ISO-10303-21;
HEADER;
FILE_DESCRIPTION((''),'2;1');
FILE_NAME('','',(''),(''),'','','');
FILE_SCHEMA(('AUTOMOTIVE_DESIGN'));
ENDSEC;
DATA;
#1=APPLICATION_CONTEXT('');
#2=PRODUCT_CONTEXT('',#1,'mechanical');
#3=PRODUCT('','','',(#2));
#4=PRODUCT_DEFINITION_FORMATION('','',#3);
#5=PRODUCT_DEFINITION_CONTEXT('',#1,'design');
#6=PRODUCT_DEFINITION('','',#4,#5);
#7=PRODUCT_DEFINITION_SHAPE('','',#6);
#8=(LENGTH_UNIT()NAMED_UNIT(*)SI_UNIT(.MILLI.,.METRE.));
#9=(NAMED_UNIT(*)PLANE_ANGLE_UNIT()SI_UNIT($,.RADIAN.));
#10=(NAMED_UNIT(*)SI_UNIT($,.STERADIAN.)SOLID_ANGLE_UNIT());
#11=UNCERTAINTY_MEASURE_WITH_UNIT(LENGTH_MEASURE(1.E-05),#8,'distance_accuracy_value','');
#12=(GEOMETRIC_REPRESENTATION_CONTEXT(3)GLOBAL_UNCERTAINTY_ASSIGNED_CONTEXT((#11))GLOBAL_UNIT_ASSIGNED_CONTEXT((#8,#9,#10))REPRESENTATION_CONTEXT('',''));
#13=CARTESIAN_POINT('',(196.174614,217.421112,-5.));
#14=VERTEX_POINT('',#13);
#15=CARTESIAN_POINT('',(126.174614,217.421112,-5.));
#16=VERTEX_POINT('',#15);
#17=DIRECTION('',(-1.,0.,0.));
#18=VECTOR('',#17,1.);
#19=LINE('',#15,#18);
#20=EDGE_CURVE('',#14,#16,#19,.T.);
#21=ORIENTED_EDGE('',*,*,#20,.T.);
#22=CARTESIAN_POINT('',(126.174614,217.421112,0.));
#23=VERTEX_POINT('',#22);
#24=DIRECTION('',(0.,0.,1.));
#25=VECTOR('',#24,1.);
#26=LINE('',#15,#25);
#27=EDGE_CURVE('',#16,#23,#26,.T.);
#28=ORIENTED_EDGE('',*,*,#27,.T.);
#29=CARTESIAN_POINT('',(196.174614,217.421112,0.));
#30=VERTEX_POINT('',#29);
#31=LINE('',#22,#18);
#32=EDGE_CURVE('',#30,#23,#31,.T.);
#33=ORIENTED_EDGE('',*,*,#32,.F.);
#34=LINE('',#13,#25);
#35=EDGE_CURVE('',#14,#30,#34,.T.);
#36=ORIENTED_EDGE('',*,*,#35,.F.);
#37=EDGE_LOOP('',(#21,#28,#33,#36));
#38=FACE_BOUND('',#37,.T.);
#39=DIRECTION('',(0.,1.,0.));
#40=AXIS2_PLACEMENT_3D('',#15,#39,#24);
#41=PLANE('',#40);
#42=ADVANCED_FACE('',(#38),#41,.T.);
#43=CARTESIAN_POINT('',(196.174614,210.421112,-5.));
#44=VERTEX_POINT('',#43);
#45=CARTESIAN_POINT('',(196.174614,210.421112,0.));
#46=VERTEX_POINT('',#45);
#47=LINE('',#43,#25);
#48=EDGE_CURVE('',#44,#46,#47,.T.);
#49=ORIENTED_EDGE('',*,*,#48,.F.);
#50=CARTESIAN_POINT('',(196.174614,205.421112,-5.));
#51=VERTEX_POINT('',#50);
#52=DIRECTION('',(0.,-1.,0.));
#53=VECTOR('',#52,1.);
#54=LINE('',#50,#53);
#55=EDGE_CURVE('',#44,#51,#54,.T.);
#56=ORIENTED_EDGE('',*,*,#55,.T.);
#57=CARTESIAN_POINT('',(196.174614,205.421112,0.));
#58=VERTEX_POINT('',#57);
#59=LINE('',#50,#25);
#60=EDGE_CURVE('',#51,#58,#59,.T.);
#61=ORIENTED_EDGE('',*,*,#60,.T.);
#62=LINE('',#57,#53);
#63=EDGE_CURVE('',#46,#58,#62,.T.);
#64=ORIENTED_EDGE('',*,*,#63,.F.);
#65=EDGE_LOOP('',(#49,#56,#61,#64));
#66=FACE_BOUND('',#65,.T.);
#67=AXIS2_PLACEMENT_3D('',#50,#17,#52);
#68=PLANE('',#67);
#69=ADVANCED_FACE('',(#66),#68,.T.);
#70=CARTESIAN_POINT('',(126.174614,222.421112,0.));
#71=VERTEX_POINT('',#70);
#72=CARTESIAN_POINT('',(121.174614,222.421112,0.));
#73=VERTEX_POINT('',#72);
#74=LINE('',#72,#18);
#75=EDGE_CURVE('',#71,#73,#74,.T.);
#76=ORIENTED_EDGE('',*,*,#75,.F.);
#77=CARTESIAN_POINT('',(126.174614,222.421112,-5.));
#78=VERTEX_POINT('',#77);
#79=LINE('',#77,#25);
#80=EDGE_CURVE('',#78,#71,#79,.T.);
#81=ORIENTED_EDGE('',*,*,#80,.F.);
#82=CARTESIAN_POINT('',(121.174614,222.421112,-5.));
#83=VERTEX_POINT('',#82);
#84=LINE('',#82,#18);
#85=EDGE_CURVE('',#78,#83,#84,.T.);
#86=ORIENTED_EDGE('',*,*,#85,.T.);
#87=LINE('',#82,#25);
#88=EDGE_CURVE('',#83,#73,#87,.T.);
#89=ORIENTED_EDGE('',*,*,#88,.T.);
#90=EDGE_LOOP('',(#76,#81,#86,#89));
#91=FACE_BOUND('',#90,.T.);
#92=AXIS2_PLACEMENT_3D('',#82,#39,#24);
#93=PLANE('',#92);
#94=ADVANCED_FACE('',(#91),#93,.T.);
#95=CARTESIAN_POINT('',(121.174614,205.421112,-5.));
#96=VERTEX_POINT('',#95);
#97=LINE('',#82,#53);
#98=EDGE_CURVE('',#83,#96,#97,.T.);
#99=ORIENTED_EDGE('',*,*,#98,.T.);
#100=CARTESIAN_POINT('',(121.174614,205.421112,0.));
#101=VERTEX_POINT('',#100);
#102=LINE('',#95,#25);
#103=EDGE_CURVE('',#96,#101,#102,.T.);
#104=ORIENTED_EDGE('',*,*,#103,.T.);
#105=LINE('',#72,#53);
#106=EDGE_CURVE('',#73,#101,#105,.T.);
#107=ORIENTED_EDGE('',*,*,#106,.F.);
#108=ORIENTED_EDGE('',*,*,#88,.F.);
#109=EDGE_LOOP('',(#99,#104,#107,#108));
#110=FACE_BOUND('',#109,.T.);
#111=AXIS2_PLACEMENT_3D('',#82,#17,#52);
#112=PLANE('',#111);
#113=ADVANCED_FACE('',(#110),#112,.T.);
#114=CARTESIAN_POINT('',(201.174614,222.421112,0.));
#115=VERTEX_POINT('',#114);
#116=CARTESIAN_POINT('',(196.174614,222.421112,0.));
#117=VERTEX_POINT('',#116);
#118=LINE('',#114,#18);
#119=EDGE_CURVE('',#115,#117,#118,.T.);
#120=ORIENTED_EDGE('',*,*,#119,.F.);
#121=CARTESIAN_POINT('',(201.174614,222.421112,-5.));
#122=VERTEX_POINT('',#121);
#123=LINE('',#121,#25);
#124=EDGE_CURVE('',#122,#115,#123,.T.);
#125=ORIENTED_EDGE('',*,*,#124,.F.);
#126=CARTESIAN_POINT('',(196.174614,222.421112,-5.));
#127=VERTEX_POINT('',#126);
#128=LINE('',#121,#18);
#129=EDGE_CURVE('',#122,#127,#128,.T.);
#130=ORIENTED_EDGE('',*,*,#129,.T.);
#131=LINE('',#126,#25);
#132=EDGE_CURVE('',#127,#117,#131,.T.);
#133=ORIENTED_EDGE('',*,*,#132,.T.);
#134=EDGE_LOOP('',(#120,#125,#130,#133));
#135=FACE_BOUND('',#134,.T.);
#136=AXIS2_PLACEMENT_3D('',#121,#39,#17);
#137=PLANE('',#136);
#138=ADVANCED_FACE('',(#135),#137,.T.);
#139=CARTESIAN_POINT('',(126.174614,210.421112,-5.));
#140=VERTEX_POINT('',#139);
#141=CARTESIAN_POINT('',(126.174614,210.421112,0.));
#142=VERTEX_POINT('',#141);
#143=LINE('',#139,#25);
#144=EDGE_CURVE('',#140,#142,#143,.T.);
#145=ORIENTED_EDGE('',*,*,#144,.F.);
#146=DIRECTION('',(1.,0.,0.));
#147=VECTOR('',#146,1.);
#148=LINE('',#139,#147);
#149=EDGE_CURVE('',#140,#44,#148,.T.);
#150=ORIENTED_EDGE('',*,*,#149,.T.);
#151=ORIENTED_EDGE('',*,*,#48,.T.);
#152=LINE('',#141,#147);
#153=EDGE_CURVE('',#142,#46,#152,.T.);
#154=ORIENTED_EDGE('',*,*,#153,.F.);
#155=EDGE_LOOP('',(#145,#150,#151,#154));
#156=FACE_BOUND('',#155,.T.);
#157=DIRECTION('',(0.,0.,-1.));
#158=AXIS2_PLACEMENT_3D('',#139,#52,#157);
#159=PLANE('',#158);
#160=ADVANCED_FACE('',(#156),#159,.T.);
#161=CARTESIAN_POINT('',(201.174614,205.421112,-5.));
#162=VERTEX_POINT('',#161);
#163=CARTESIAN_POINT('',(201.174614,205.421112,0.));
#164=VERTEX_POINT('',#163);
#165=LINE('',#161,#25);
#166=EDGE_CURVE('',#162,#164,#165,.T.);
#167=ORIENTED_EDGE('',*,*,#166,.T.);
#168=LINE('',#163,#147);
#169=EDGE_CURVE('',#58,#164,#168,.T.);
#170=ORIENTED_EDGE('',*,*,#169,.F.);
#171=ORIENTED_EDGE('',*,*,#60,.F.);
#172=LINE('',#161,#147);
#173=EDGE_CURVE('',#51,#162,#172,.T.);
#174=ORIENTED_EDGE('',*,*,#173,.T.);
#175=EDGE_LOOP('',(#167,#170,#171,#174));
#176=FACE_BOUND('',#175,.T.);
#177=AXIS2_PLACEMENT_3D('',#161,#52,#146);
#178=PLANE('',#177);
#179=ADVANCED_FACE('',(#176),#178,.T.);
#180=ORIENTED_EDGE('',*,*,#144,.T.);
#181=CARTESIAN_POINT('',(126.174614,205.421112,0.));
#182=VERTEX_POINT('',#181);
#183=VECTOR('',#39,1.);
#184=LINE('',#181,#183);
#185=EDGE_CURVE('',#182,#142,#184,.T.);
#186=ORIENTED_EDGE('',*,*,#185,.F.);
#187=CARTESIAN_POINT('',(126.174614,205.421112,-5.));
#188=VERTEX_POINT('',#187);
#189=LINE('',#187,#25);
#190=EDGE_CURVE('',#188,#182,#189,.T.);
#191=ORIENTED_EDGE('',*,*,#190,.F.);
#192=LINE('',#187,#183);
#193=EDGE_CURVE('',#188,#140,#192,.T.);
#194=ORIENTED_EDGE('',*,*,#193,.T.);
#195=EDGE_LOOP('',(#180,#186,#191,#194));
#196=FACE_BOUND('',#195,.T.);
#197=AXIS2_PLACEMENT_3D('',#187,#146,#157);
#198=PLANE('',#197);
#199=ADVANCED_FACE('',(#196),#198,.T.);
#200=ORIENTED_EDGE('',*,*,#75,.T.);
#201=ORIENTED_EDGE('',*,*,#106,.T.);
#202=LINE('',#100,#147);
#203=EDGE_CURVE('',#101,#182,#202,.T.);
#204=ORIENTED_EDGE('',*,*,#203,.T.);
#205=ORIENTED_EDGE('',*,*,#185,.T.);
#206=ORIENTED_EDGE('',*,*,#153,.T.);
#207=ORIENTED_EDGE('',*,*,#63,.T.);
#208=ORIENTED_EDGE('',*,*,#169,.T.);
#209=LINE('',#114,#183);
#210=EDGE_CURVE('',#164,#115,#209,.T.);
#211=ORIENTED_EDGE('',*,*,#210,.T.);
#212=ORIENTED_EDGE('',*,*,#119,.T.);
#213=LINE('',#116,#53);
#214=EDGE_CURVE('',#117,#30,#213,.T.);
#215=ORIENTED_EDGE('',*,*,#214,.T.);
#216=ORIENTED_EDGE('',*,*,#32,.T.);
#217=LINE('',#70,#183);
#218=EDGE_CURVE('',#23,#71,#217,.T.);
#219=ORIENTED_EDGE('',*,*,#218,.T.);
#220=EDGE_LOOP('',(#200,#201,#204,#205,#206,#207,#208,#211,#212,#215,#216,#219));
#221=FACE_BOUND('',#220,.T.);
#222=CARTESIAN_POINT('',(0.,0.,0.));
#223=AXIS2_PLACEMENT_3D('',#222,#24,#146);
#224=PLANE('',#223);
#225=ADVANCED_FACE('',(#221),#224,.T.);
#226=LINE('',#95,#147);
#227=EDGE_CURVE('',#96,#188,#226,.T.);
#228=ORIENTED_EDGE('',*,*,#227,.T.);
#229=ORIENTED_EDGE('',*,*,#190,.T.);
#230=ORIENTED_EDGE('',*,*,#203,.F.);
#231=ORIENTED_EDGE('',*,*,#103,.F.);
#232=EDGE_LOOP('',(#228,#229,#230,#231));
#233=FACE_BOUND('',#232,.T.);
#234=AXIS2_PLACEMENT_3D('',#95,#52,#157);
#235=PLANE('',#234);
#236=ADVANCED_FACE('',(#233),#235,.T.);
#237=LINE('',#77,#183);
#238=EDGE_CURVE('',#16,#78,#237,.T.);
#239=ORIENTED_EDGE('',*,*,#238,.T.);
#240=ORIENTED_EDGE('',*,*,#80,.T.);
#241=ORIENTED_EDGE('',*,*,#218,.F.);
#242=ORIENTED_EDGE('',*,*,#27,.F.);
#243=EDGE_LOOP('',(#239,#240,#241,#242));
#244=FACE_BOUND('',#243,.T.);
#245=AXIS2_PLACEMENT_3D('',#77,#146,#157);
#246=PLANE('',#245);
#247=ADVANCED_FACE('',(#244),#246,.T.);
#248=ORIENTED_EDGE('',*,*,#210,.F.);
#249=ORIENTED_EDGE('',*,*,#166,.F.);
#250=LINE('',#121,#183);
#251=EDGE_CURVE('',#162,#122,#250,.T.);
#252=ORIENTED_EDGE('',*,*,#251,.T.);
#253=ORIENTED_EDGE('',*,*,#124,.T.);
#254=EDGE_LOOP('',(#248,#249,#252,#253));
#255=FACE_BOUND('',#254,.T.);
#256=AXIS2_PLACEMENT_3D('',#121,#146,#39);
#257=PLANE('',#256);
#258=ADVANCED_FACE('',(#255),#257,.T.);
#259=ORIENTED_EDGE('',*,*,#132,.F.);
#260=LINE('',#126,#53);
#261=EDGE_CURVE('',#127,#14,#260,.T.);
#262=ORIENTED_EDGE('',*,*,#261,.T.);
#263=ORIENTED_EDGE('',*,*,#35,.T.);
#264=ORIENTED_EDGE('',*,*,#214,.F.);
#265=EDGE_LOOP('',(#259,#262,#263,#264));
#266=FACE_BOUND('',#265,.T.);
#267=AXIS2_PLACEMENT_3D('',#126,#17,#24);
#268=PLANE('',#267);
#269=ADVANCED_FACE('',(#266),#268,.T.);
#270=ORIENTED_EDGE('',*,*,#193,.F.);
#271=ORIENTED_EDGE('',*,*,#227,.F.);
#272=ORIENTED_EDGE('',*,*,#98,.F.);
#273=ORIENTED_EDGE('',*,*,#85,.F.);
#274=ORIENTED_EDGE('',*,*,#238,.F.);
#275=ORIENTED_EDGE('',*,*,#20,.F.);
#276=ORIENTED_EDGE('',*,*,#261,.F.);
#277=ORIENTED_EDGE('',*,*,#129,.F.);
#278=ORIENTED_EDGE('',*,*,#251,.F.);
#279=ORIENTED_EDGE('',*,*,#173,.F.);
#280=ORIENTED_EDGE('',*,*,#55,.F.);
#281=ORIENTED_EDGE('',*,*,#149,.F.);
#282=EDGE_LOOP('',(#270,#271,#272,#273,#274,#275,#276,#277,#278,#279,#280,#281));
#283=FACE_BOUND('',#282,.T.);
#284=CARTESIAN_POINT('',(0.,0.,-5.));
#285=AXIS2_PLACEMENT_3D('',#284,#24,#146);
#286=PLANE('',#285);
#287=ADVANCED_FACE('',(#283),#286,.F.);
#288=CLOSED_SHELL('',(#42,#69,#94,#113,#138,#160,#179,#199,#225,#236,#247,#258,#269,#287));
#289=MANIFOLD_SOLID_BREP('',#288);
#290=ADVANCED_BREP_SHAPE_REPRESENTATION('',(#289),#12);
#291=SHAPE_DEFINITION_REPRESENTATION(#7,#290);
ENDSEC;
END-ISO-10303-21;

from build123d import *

# Parameters (mm, degrees)
BOSS_EXTRU_1_DEPTH = 5


with BuildPart() as part:
    # Esquisse1 → Boss.-Extru.1 (new body)
    with BuildSketch(Plane.XY):
        Polygon((121.17461402, 222.421111622), (126.17461402, 222.421111622), (126.17461402, 217.421111622), (196.17461402, 217.421111622), (196.17461402, 222.421111622), (201.17461402, 222.421111622), (201.17461402, 205.421111622), (196.17461402, 205.421111622), (196.17461402, 210.421111622), (126.17461402, 210.421111622), (126.17461402, 205.421111622), (121.17461402, 205.421111622), align=None)
    extrude(amount=-BOSS_EXTRU_1_DEPTH)


solid = part.part
